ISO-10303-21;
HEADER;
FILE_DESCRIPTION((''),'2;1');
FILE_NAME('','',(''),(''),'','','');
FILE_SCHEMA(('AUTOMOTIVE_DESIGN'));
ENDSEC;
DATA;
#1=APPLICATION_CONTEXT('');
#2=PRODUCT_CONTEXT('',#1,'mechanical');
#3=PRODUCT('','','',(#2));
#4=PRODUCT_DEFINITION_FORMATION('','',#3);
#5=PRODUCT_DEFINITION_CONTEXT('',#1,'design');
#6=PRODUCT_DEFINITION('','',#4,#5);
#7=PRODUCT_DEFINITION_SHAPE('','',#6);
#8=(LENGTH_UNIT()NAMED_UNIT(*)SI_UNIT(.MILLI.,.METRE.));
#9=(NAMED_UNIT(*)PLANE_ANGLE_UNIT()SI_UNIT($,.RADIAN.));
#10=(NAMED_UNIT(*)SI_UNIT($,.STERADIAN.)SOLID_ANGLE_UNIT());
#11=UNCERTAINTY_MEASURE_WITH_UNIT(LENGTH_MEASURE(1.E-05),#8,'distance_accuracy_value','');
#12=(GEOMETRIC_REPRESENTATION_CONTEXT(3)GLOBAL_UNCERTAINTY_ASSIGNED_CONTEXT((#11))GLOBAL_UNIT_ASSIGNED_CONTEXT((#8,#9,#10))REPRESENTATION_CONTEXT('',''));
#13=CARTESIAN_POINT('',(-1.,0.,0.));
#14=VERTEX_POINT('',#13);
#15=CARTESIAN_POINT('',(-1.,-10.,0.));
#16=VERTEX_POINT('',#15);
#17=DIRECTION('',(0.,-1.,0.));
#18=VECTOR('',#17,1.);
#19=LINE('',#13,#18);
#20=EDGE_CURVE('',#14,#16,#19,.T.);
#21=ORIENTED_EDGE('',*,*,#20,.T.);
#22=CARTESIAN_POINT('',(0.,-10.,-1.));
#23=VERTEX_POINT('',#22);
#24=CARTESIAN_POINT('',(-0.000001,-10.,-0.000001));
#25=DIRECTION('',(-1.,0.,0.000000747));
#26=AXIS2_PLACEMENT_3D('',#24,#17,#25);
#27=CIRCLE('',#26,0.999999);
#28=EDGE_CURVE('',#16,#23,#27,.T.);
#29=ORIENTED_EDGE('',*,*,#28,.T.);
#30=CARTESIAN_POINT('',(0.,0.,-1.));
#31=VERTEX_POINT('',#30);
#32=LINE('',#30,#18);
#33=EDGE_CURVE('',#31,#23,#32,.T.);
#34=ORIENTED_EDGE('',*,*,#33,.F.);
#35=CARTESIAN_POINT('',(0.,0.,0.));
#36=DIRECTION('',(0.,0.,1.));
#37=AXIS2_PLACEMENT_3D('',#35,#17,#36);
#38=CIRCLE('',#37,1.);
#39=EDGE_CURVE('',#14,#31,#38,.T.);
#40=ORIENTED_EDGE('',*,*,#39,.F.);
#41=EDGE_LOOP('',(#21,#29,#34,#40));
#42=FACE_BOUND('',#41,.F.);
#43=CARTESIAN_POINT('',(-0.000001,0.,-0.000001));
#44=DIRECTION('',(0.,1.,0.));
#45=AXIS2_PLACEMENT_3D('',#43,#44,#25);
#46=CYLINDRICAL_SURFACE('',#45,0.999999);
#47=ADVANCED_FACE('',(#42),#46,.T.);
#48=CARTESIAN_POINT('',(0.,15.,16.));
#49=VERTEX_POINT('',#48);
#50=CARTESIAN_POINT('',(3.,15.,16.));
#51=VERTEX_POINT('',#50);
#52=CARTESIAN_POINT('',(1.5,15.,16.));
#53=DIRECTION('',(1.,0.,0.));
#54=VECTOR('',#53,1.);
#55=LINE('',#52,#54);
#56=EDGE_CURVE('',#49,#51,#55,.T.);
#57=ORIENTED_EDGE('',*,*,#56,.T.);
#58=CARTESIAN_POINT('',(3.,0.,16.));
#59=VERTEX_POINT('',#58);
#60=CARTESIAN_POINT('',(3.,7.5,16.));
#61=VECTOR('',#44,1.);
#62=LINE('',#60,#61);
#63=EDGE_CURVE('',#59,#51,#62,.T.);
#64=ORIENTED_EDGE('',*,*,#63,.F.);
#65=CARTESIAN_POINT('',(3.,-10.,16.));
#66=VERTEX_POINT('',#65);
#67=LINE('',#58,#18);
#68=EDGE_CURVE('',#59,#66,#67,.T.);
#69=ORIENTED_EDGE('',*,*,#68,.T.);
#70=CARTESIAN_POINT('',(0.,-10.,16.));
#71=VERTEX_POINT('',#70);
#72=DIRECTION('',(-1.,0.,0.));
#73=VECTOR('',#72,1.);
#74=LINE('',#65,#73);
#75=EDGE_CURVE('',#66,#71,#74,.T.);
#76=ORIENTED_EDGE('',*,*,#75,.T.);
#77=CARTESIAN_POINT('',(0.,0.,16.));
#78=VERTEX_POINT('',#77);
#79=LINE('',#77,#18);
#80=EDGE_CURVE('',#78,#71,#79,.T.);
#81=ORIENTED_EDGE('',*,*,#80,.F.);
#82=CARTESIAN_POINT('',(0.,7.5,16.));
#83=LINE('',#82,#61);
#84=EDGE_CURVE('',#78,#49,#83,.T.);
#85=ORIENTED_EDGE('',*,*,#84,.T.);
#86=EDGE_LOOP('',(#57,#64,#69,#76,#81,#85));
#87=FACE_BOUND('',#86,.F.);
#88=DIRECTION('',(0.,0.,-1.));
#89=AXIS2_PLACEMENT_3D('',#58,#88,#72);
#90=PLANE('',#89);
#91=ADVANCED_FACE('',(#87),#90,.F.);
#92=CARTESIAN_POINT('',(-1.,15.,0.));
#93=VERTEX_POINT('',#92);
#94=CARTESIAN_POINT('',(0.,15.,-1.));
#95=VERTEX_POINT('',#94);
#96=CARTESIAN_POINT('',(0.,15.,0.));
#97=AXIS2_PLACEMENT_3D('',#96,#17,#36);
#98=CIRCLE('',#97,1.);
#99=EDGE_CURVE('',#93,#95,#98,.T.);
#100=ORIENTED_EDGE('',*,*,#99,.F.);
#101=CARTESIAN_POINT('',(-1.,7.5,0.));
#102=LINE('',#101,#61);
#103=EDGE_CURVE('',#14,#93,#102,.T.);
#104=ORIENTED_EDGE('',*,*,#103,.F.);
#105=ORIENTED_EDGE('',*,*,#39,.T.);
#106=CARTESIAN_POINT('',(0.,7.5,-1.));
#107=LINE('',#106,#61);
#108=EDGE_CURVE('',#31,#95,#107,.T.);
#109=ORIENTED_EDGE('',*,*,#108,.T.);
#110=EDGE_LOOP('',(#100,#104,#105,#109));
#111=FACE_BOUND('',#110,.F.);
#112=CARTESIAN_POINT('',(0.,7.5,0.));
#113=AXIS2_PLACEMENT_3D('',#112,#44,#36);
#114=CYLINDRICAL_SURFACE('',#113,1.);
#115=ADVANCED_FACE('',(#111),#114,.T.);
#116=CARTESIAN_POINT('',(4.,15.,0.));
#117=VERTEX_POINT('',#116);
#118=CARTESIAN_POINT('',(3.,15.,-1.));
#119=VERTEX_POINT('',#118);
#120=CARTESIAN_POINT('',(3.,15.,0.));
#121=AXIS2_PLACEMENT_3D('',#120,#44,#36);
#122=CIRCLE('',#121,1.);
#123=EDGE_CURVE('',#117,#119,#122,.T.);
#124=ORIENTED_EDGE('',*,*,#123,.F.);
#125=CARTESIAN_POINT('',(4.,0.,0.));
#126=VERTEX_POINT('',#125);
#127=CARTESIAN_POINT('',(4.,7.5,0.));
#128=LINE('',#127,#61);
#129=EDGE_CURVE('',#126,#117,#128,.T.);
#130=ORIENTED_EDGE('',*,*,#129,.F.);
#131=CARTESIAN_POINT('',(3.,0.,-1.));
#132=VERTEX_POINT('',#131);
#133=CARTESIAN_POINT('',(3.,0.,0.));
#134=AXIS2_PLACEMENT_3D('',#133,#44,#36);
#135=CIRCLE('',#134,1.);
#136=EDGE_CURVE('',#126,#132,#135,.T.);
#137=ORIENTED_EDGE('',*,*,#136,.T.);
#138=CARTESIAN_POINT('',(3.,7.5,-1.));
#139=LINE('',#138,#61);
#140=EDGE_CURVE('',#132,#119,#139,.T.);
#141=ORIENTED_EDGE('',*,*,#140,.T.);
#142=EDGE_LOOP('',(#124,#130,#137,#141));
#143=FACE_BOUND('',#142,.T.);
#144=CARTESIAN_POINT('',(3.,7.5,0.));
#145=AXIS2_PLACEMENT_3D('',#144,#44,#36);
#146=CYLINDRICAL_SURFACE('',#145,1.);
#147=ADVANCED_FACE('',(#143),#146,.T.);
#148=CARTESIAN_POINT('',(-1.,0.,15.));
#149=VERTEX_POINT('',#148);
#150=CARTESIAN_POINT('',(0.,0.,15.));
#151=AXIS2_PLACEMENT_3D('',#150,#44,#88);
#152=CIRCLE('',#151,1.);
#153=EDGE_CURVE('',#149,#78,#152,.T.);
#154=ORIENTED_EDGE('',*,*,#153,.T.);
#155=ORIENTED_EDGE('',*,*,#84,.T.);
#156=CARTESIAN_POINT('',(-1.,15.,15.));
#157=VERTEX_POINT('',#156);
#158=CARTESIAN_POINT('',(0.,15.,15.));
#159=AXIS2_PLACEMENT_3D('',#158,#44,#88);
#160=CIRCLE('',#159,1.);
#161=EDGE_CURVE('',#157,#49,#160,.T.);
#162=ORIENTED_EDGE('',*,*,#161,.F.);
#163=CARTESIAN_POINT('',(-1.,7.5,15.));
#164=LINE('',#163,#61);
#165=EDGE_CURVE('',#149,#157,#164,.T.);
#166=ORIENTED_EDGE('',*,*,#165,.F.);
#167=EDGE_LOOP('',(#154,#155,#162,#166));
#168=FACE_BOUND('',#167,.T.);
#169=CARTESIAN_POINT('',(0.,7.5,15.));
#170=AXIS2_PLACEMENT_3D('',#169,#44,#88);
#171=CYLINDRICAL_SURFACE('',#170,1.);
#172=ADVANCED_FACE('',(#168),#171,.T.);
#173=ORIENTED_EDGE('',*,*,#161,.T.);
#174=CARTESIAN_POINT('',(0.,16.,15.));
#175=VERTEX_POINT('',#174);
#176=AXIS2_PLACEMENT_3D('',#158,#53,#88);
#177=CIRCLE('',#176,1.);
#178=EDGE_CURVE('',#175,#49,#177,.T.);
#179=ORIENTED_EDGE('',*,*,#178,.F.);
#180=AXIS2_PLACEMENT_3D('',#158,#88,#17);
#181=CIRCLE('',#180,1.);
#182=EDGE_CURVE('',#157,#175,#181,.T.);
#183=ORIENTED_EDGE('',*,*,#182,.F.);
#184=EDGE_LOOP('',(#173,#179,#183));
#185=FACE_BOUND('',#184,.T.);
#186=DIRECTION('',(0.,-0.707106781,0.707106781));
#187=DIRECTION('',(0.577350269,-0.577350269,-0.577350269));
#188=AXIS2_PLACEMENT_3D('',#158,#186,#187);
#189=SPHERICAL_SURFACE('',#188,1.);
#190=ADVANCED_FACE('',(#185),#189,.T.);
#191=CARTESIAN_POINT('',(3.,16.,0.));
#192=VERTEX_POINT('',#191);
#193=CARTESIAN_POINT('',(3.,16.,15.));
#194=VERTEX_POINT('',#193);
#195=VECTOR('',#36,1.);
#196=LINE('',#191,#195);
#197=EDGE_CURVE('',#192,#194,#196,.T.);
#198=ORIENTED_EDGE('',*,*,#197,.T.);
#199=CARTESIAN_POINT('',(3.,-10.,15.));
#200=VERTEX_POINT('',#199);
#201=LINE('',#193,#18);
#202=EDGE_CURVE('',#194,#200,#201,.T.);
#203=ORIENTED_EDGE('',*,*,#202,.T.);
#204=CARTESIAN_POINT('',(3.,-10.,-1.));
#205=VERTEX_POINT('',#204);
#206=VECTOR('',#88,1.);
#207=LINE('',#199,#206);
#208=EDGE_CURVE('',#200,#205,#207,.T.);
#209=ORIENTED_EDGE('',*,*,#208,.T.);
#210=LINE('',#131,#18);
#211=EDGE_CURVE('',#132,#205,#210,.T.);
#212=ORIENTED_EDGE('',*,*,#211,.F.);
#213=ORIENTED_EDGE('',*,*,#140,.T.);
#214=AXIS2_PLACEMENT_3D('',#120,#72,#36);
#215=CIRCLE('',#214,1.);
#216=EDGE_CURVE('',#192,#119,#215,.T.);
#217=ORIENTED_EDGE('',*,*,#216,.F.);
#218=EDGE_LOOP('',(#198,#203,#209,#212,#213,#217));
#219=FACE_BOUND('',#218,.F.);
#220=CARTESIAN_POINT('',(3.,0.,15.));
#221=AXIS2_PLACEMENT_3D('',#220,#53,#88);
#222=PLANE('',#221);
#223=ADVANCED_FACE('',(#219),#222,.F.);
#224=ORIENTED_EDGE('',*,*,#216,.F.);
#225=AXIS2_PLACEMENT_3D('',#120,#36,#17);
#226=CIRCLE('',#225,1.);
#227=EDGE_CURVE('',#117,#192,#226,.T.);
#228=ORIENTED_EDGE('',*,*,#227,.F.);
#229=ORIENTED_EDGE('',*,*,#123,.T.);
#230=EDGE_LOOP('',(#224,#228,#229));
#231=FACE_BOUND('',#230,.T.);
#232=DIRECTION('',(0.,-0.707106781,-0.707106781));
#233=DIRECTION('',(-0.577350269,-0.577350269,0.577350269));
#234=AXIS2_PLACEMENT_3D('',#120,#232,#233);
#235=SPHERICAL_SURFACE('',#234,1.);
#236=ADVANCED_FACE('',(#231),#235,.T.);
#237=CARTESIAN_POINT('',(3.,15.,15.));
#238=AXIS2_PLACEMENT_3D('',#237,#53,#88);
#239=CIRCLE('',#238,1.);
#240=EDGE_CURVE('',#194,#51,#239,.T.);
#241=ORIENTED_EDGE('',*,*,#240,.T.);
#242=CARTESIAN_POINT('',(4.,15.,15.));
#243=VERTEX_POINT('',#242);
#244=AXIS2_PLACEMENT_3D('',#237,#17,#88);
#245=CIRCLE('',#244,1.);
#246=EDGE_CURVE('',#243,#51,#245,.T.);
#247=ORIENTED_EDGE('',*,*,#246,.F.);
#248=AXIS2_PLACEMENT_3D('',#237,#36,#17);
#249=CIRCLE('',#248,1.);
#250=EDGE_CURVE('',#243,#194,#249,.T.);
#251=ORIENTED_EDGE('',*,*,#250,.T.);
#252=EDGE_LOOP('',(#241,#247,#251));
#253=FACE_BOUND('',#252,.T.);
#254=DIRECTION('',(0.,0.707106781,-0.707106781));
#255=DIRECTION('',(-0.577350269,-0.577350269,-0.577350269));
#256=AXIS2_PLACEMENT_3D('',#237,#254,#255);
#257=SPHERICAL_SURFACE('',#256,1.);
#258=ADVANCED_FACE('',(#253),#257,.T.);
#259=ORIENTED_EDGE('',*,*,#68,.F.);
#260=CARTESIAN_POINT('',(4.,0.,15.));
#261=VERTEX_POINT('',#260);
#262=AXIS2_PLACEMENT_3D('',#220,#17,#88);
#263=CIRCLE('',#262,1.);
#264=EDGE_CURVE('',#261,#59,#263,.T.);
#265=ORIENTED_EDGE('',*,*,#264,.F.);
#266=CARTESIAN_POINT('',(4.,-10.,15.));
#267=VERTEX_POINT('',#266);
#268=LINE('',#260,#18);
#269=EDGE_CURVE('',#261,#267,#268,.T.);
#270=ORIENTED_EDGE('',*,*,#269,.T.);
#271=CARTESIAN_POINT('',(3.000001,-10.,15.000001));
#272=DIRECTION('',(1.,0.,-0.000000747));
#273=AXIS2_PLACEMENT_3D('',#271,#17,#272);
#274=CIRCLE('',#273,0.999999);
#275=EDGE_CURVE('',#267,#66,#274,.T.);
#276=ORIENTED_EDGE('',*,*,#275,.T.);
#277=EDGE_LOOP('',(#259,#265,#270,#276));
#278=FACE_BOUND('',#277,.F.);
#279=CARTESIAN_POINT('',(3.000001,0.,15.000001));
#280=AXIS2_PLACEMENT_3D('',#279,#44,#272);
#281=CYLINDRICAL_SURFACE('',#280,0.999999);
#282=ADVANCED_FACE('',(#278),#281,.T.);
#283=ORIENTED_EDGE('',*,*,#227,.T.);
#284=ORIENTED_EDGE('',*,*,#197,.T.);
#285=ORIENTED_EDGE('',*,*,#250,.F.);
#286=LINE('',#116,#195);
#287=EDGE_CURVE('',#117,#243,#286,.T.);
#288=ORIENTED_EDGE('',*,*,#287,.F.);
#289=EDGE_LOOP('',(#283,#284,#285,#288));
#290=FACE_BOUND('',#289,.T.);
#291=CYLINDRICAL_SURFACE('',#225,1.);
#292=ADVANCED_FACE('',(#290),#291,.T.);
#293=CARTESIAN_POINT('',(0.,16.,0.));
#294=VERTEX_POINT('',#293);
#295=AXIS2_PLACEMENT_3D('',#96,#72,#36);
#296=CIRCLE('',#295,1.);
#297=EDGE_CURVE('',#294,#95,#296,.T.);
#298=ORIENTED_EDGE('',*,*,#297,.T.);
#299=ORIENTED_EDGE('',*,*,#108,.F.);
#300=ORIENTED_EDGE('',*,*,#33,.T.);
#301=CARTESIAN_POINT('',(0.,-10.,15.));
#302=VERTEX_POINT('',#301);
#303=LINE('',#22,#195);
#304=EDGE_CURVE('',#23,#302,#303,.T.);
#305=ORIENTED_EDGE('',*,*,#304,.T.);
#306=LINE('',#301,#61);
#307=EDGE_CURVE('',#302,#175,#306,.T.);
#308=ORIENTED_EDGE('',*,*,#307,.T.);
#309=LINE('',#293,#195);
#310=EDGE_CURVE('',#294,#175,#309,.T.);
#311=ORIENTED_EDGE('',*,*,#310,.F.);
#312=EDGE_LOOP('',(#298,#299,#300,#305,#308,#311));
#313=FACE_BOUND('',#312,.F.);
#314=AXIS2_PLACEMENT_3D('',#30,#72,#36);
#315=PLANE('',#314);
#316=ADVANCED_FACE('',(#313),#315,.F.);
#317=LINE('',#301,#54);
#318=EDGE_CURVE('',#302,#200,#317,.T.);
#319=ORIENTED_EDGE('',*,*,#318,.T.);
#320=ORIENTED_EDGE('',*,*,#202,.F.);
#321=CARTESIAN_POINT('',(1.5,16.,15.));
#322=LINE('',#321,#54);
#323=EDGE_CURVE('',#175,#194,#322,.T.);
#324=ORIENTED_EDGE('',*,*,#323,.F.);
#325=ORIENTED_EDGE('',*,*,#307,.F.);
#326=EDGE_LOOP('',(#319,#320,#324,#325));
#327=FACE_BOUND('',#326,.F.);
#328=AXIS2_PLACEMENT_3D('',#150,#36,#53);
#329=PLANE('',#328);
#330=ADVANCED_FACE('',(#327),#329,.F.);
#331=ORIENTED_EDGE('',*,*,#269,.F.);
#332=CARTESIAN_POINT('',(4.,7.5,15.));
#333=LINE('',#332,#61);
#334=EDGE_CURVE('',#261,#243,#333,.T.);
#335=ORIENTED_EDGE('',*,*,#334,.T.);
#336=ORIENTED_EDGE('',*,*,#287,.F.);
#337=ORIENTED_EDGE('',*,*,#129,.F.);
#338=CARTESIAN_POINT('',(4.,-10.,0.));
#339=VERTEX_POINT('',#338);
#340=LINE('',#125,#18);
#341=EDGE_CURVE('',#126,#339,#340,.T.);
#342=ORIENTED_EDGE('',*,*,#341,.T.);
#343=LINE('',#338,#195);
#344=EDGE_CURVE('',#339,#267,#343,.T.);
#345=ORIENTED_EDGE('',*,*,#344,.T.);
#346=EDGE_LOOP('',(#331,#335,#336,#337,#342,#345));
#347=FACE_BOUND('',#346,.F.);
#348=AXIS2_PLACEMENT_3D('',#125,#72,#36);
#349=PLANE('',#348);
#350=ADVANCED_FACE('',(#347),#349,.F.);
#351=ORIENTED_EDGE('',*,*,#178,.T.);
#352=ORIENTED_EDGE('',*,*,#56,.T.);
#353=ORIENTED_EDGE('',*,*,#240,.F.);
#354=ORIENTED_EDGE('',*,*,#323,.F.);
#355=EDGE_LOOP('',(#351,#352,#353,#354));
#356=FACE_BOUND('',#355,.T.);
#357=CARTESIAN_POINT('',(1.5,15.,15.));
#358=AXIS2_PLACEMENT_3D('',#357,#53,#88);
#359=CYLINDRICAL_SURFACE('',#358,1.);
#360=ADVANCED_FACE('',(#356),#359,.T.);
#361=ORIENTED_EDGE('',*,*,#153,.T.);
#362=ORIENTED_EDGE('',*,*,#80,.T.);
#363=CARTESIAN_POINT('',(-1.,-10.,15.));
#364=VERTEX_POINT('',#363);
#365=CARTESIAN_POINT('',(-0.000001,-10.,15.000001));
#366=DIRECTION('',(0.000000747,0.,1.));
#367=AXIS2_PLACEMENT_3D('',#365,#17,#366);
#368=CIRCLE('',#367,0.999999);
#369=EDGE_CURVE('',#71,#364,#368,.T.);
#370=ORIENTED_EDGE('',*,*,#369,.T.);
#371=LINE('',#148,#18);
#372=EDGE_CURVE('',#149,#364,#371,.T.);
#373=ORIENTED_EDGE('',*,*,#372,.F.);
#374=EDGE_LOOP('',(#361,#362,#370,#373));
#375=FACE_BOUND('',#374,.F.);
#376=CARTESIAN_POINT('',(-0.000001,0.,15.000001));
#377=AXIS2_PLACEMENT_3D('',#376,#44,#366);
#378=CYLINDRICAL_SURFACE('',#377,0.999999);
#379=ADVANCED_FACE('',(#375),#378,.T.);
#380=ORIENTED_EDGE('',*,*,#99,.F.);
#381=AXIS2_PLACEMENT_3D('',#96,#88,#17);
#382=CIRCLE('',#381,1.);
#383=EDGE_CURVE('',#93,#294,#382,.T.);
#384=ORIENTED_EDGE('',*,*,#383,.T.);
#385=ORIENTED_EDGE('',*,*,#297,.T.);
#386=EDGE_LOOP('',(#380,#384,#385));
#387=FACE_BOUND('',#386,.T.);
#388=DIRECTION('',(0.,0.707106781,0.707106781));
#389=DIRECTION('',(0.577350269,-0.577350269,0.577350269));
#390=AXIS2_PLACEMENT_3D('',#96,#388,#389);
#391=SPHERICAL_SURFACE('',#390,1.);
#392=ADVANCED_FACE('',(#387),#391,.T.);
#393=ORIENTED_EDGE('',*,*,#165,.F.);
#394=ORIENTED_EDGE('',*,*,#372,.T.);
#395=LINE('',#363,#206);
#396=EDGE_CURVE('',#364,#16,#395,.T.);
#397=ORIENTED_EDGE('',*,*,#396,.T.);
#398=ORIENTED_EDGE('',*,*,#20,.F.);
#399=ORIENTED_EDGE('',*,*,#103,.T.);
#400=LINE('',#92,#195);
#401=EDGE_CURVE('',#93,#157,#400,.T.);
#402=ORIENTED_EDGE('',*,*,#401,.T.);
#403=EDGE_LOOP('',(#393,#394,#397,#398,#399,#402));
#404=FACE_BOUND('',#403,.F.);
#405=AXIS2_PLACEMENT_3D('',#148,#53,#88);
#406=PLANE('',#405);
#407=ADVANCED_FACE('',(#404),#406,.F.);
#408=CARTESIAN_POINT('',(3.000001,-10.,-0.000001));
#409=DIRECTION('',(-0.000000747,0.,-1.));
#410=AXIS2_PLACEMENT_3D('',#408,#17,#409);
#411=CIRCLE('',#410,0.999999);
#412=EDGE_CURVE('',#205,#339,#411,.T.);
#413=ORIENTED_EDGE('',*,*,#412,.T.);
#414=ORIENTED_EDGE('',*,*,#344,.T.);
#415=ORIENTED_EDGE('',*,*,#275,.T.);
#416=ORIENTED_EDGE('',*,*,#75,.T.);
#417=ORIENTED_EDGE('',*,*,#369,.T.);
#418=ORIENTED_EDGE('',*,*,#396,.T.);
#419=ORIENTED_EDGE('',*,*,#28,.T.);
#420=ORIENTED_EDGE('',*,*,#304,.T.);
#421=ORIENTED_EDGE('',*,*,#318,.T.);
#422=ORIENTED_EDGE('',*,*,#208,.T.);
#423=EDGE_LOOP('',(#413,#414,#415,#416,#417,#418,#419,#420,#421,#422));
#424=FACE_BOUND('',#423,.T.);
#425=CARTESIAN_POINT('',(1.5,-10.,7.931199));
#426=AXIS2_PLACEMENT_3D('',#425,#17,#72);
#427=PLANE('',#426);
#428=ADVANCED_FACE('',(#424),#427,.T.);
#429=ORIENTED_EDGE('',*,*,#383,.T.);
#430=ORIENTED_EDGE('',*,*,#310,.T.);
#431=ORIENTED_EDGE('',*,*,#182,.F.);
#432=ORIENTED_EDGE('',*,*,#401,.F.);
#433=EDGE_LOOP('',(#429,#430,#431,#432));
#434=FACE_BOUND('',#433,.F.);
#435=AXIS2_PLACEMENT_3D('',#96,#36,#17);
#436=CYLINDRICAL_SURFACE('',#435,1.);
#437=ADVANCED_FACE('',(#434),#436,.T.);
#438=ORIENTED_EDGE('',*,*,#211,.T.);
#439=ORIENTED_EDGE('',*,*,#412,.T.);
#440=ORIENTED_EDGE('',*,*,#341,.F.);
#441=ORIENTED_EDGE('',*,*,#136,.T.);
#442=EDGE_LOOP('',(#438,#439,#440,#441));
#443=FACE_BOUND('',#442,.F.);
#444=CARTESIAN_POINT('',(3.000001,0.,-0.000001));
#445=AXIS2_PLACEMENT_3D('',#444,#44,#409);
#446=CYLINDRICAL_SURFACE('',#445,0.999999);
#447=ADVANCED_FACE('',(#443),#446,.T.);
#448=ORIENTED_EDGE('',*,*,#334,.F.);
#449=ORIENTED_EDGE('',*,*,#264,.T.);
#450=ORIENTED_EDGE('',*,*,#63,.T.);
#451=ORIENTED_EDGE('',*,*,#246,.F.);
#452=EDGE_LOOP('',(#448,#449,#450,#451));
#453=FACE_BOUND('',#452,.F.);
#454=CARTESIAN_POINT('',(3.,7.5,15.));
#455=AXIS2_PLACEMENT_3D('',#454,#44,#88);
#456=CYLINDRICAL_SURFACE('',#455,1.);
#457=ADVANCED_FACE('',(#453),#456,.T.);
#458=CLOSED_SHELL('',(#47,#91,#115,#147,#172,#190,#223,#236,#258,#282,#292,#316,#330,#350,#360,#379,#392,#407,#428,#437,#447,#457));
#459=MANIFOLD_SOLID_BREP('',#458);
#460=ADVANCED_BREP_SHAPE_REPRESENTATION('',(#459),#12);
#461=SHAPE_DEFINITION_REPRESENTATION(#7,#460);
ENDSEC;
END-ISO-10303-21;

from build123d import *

# Parameters (mm, degrees)
SKETCH_W           = 3
SKETCH_H           = 15
PAD_DEPTH          = 15
THICKNESS_T        = 1
THICKNESS_FACE2_W  = 3
THICKNESS_FACE2_H  = 15
POCKET_DEPTH       = 5
POCKET_FACE4_W     = 15
POCKET_FACE4_H     = 3
POCKET001_DEPTH    = 5
POCKET001_FACE18_W = 3
POCKET001_FACE18_H = 1
POCKET002_DEPTH    = 5
PAD001_DEPTH       = 10


with BuildPart() as part:
    # Sketch → Pad (new body)
    with BuildSketch(Plane.XY):
        with Locations((1.5, 7.5)):
            Rectangle(SKETCH_W, SKETCH_H)
    extrude(amount=PAD_DEPTH)

    # Thickness
    thickness_openings = [part.faces().sort_by_distance(p)[0] for p in [
        (1.5, 0, 7.5),
    ]]
    offset(amount=THICKNESS_T, openings=thickness_openings)

    # Thickness Face2 → Pocket (cut)
    with BuildSketch(Plane(origin=(1.5, 15, 7.5), x_dir=(-1, 0, 0), z_dir=(0, -1, 0))):
        Rectangle(THICKNESS_FACE2_W, THICKNESS_FACE2_H)
    extrude(amount=-POCKET_DEPTH, mode=Mode.SUBTRACT)

    # Pocket Face4 → Pocket001 (cut)
    with BuildSketch(Plane(origin=(1.5, 7.5, 0), x_dir=(0, 1, 0), z_dir=(0, 0, 1))):
        Rectangle(POCKET_FACE4_W, POCKET_FACE4_H)
    extrude(amount=-POCKET001_DEPTH, mode=Mode.SUBTRACT)

    # Pocket001 Face18 → Pocket002 (cut)
    with BuildSketch(Plane(origin=(1.5, 15, -0.5), x_dir=(-1, 0, 0), z_dir=(0, -1, 0))):
        Rectangle(POCKET001_FACE18_W, POCKET001_FACE18_H)
    extrude(amount=-POCKET002_DEPTH, mode=Mode.SUBTRACT)

    # Pocket002 Face2 → Pad001 (add)
    with BuildSketch(Plane(origin=(1.5, 0, 8.164055), x_dir=(-1, 0, 0), z_dir=(0, -1, 0))):
        with BuildLine():
            Line((1.5, 8.164055), (1.5, -6.835945))
            Line((1.5, -6.835945), (-1.5, -6.835945))
            Line((-1.5, -6.835945), (-1.5, 8.164055))
            Line((-1.5, 8.164055), (-1.5, 9.164055))
            ThreePointArc((-1.5, 9.164055), (-2.207107, 8.871162), (-2.5, 8.164055))
            Line((-2.5, 8.164055), (-2.5, -6.835945))
            ThreePointArc((-2.5, -6.835945), (-2.207107, -7.543052), (-1.5, -7.835945))
            Line((-1.5, -7.835945), (1.5, -7.835945))
            ThreePointArc((1.5, -7.835945), (2.207107, -7.543052), (2.5, -6.835945))
            Line((2.5, -6.835945), (2.5, 8.164055))
            ThreePointArc((2.5, 8.164055), (2.207107, 8.871162), (1.5, 9.164055))
            Line((1.5, 9.164055), (1.5, 8.164055))
        make_face()
    extrude(amount=PAD001_DEPTH)


solid = part.part
